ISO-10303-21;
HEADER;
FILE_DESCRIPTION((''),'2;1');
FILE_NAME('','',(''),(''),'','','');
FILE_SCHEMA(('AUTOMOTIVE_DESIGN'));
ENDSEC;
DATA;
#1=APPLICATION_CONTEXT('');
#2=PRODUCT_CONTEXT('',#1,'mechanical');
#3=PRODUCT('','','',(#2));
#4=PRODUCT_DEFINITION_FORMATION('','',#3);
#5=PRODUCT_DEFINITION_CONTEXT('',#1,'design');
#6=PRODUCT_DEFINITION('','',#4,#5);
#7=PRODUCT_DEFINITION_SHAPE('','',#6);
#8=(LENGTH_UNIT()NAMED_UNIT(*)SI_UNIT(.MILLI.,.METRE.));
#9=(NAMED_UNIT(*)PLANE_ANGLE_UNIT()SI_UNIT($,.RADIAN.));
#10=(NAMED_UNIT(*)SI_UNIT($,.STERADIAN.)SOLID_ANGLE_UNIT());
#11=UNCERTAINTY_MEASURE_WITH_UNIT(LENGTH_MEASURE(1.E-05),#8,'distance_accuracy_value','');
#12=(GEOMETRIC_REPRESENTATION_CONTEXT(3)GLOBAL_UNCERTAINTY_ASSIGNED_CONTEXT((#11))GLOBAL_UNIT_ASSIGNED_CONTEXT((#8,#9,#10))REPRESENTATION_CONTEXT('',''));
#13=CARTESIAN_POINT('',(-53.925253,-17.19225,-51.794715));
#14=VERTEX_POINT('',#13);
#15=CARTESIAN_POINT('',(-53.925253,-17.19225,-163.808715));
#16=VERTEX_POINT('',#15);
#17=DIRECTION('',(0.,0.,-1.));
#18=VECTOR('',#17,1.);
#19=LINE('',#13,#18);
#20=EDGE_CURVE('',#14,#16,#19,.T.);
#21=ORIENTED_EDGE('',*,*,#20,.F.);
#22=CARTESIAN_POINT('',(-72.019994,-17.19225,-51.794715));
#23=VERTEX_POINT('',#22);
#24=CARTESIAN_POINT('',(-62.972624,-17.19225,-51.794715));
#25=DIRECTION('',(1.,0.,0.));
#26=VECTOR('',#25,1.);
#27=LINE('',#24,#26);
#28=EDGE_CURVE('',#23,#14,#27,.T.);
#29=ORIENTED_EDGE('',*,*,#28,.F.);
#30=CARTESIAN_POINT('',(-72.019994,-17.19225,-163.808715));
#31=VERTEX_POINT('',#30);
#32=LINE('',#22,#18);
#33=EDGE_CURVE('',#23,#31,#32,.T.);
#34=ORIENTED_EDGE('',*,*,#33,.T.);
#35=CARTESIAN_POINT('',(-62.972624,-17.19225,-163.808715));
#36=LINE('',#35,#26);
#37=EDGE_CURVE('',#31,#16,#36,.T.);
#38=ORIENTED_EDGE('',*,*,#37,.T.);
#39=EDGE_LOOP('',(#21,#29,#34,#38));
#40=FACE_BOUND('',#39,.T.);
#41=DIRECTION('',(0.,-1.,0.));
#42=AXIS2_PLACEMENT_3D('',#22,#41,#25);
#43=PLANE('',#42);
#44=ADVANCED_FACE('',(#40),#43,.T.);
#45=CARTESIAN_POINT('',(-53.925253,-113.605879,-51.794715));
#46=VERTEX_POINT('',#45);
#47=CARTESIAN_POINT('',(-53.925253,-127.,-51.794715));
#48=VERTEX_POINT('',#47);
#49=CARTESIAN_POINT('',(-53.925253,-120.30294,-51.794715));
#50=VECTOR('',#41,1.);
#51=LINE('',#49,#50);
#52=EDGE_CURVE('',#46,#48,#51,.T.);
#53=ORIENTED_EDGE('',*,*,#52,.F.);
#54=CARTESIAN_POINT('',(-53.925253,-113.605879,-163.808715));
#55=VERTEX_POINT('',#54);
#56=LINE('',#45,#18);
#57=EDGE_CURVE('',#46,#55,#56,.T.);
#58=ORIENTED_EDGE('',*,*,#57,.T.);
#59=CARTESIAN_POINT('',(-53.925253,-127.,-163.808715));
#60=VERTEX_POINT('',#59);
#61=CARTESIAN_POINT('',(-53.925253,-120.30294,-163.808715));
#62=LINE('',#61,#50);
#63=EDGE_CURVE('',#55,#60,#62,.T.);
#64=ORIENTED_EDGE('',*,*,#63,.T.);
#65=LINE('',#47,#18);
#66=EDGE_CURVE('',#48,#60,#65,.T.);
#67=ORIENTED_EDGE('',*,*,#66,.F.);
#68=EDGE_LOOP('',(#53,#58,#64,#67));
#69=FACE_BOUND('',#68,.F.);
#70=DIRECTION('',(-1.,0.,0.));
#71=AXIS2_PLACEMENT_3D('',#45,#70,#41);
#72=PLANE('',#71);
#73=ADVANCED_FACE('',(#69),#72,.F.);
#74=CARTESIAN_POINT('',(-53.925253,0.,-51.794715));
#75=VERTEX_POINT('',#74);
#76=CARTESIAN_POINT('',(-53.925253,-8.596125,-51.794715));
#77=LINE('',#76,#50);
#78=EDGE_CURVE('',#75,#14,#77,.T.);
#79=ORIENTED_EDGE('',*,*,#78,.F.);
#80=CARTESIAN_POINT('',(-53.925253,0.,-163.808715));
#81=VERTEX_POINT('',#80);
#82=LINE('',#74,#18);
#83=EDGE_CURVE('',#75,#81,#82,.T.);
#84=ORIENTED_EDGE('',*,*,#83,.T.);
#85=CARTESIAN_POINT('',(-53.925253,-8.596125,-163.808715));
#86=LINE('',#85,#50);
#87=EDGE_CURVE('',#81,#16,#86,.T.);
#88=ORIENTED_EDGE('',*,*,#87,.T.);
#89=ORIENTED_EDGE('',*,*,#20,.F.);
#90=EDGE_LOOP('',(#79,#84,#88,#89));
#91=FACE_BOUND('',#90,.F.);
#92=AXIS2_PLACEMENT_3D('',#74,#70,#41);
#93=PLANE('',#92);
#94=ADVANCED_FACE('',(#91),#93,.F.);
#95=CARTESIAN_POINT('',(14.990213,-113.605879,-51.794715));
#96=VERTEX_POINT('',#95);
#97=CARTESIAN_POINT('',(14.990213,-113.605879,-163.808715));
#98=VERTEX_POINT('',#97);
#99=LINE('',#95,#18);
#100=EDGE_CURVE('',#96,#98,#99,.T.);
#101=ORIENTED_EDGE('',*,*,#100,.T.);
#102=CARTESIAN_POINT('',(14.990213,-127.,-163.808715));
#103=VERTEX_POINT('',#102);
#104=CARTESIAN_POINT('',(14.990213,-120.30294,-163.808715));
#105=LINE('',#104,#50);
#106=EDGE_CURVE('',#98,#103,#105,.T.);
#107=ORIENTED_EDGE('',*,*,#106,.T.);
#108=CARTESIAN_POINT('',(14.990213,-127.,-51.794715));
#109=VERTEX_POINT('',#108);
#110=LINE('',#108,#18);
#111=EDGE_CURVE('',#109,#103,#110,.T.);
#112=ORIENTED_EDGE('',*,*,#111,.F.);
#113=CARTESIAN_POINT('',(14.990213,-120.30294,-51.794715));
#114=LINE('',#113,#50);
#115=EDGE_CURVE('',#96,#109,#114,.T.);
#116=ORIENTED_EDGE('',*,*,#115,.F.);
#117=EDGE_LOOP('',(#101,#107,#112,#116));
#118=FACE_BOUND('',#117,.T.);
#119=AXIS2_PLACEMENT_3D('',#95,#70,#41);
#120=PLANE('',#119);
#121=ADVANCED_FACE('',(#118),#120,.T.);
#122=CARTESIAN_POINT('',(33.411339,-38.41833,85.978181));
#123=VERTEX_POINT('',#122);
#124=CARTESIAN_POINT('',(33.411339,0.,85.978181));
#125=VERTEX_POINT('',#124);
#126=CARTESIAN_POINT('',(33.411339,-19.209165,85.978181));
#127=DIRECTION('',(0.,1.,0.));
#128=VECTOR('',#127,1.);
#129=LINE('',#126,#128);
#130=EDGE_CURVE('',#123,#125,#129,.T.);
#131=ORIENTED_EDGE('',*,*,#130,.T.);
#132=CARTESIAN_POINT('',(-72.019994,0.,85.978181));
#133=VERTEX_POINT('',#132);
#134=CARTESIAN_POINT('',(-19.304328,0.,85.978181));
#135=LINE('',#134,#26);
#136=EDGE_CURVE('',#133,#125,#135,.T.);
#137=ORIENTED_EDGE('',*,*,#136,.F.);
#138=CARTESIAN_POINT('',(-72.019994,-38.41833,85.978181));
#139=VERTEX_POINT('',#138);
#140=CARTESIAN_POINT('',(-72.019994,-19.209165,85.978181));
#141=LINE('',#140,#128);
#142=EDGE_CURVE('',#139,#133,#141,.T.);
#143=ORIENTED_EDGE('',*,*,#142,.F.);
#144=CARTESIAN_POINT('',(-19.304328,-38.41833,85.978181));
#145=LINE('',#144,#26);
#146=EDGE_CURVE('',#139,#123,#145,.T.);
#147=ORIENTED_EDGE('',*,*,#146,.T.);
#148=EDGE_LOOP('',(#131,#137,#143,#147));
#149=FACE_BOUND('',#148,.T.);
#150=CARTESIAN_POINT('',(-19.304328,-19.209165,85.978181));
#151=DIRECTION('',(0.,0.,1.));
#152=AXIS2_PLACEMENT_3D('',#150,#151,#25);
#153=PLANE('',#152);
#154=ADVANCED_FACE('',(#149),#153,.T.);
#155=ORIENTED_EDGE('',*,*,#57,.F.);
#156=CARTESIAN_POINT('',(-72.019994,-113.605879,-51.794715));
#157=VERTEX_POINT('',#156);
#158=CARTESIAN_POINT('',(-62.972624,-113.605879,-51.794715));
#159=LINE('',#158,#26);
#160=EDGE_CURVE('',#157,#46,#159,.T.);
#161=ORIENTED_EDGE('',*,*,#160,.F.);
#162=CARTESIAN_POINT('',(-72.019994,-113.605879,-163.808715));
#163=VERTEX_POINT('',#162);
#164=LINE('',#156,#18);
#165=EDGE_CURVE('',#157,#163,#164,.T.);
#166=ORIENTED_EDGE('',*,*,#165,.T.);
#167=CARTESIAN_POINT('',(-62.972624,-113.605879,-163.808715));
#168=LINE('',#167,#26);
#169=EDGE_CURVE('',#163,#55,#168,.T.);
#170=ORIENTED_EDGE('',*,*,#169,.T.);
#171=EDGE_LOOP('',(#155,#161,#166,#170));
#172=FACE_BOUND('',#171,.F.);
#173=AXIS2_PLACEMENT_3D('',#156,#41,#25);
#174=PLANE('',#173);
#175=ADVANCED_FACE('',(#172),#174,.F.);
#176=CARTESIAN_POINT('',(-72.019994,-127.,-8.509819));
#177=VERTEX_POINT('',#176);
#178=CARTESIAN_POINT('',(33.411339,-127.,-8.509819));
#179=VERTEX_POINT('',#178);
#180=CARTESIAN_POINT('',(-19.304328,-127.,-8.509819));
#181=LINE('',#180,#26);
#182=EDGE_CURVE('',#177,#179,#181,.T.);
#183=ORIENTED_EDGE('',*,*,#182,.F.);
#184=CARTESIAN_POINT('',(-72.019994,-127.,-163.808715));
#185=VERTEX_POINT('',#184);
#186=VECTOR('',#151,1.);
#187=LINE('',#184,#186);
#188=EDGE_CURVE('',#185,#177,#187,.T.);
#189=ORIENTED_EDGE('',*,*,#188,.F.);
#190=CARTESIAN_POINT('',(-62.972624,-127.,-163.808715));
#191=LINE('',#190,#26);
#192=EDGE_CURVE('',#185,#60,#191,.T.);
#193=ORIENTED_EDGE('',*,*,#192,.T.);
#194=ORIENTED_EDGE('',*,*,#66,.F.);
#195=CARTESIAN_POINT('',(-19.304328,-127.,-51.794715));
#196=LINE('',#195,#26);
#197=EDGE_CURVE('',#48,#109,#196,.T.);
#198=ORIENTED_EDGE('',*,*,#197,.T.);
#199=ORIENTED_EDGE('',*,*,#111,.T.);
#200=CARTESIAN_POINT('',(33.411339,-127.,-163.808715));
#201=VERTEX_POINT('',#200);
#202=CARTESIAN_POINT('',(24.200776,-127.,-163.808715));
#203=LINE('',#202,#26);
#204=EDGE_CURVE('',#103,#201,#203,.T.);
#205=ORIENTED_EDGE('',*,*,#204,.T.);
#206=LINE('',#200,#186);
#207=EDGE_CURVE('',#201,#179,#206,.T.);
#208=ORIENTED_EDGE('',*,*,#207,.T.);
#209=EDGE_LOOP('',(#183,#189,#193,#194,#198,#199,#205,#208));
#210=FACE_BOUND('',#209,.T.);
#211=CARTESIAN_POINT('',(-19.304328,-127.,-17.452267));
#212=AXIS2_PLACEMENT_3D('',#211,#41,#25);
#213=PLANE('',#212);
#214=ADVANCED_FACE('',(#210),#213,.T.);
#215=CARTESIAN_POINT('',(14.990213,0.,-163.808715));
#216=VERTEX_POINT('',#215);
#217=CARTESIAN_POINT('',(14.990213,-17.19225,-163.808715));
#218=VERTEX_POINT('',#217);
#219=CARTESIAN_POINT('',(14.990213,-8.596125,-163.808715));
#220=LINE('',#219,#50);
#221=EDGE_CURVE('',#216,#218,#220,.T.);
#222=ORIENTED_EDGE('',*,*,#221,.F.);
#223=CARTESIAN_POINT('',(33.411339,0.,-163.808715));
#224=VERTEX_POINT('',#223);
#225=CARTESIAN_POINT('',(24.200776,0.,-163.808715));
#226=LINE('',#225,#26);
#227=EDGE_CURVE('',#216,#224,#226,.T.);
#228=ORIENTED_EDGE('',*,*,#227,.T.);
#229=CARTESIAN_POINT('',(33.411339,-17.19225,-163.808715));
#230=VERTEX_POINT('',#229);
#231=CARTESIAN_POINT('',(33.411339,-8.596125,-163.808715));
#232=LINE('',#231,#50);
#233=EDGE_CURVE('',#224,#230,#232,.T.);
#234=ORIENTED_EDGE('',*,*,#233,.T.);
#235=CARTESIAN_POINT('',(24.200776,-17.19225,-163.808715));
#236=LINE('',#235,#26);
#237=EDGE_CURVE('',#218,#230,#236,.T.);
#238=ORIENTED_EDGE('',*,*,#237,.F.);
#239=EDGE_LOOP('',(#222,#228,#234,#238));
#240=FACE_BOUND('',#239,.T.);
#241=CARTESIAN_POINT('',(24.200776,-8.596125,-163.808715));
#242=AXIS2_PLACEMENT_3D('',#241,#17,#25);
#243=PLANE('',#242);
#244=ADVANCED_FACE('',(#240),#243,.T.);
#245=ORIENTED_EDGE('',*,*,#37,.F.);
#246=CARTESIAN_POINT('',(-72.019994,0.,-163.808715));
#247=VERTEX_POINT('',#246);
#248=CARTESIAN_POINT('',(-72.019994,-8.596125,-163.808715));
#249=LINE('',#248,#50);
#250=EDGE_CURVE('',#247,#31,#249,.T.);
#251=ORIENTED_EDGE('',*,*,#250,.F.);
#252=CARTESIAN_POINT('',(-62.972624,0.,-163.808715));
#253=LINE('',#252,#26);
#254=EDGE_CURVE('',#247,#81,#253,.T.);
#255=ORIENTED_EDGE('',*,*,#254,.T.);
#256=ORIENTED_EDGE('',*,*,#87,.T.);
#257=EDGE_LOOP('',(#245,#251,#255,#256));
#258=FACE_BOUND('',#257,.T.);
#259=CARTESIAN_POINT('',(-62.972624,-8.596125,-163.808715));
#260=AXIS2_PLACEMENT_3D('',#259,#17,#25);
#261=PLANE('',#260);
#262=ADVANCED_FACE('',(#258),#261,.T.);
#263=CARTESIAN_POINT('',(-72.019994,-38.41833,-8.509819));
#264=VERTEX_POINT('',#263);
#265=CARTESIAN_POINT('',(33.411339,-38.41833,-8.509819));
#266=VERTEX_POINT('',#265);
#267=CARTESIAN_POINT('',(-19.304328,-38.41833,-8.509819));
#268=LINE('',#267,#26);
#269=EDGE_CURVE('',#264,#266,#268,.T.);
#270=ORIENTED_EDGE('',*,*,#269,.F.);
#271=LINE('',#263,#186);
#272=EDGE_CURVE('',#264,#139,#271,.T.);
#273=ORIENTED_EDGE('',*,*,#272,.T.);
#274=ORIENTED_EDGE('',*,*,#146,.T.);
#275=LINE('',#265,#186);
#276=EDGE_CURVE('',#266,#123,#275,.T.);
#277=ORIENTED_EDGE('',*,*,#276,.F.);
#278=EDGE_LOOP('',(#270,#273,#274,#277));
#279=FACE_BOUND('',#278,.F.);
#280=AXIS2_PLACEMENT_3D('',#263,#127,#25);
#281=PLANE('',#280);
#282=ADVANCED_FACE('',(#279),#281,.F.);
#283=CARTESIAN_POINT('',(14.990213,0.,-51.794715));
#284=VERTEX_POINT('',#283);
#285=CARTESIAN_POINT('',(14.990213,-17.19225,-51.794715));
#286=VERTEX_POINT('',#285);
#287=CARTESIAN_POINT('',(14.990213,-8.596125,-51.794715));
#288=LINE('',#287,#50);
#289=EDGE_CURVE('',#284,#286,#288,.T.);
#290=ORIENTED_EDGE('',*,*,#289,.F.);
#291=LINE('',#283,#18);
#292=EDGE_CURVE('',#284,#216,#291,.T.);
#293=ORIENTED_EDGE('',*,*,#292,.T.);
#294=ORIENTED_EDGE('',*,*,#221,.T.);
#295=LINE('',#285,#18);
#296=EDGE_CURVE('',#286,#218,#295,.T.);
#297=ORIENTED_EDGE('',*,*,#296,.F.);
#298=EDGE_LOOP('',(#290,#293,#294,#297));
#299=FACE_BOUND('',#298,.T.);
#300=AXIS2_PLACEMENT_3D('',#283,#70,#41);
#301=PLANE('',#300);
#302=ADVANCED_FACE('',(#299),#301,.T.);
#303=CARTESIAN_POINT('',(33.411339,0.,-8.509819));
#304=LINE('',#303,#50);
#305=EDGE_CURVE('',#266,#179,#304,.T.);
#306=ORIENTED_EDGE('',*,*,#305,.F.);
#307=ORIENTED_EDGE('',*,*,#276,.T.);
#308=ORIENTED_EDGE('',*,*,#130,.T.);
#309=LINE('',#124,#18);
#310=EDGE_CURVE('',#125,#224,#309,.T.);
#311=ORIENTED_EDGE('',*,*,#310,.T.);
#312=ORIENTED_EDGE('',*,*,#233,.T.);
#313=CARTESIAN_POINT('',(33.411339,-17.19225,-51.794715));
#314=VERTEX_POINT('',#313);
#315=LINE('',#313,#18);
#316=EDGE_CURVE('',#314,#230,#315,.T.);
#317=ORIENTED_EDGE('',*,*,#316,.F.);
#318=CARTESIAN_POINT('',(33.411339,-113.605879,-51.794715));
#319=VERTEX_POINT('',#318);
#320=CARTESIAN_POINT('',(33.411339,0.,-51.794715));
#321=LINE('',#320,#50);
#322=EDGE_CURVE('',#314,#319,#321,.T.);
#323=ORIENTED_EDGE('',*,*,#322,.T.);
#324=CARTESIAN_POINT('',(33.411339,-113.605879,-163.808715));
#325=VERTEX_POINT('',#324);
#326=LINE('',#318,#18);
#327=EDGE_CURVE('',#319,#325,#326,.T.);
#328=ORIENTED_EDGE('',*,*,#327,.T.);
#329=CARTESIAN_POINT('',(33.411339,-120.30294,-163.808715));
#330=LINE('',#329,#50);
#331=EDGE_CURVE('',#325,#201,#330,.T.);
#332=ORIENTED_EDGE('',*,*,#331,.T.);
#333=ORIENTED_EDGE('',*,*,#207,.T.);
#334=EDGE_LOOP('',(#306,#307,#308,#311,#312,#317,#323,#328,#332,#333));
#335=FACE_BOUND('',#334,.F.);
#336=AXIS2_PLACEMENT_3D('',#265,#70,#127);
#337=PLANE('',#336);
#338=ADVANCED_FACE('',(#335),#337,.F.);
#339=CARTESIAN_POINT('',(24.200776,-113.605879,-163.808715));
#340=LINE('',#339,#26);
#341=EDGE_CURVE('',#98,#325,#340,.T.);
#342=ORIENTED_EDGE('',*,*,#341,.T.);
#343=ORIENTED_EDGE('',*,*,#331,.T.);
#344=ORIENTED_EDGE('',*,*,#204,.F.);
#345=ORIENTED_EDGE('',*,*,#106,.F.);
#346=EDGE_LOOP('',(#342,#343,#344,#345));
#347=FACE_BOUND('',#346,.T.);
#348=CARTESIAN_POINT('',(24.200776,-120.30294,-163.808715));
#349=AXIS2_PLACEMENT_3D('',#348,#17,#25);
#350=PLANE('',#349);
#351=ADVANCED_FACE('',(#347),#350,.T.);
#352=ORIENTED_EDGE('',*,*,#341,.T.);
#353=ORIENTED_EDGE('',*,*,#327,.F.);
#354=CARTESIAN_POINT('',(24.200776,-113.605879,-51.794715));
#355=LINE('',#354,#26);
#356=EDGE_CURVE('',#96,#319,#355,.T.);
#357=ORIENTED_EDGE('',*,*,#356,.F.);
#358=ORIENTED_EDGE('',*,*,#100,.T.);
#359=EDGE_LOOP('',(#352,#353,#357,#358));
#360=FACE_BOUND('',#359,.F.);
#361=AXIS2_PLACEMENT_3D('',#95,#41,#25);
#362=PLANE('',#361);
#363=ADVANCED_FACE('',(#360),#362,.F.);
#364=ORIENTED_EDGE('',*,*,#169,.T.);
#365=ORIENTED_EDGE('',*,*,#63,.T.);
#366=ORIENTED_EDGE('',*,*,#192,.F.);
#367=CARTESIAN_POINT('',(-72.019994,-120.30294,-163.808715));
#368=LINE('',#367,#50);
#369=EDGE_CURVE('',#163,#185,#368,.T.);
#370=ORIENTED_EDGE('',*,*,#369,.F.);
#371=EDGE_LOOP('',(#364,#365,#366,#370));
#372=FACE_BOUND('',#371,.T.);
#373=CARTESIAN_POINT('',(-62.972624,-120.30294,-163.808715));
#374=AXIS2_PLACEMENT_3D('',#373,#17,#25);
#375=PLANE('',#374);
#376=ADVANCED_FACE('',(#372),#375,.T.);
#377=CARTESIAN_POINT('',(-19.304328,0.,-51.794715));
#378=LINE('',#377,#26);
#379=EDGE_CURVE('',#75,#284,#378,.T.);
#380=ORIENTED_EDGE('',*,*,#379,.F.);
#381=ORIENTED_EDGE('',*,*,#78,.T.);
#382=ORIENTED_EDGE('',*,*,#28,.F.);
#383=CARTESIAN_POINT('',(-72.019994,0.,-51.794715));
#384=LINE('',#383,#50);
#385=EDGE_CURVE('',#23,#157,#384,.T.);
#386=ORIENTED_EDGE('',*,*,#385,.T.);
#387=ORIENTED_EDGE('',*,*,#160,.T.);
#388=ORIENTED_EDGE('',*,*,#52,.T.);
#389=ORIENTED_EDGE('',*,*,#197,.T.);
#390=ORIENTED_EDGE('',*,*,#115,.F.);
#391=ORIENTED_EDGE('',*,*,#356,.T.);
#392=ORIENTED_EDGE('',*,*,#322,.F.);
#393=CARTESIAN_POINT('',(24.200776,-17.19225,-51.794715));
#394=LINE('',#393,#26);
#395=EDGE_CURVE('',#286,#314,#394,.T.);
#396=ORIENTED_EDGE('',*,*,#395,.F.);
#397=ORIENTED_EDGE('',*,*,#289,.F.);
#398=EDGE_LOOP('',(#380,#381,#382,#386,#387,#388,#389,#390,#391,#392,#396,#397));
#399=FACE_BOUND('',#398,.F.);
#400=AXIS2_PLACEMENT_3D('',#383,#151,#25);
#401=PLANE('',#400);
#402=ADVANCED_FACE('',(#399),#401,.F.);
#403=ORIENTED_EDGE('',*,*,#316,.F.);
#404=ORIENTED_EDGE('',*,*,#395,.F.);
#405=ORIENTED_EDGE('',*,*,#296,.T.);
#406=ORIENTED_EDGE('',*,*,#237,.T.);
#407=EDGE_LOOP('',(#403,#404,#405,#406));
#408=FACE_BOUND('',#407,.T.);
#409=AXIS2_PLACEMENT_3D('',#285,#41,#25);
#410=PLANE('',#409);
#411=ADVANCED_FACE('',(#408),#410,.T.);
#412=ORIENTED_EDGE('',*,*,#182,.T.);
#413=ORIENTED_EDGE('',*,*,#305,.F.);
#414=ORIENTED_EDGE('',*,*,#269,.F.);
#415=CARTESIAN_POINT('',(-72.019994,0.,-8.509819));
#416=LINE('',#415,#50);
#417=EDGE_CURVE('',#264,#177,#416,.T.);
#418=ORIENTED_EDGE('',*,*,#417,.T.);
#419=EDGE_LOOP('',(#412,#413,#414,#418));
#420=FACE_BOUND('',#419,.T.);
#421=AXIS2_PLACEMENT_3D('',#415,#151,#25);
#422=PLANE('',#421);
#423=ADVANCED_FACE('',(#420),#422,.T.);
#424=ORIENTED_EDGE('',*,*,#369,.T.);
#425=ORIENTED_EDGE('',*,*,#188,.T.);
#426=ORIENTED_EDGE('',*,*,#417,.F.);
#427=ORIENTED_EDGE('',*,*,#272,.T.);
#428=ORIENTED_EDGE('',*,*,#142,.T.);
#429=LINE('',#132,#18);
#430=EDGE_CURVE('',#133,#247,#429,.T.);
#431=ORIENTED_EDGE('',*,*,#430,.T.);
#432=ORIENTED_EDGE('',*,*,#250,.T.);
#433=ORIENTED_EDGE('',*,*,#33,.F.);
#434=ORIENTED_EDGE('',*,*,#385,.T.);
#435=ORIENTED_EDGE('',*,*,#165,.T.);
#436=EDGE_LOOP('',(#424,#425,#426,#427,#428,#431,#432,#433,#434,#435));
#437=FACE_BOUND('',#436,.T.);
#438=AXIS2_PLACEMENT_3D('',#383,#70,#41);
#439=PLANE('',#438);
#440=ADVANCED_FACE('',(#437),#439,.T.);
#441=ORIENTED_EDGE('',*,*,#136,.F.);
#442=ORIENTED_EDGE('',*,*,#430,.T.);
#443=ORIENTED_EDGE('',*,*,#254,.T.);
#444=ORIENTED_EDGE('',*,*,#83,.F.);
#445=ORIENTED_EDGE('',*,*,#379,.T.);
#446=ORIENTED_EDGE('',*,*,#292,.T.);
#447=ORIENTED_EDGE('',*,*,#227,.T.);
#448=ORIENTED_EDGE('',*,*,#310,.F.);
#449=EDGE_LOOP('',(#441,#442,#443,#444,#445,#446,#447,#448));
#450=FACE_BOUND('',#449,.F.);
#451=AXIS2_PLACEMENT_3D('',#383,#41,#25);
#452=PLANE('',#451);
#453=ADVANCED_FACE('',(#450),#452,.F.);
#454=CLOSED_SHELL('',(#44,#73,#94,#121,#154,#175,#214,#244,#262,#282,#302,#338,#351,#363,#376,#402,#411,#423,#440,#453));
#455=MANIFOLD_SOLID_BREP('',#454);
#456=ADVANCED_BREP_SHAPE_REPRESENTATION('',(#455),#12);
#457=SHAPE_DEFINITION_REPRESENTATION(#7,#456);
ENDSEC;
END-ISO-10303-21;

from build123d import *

# Parameters (mm, degrees)
F0_W     = 105.4313331842
F0_H     = 68.6848964542
F1_DEPTH = 127
F2_DEPTH = 25.4
F3_W     = 105.4313331842
F3_H     = 38.4183302522
F4_DEPTH = 94.488
F5_W     = 18.094740808
F5_H     = 17.1922501177
F5_W_2   = 18.4211255983
F5_H_2   = 13.3941207528
F6_DEPTH = 112.014


with BuildPart() as f1:
    # F0 (on Front) → F1 (new body)
    with BuildSketch(Plane.XZ):
        with Locations((-19.3043276668, -17.4522669986)):
            Rectangle(F0_W, F0_H)
    extrude(amount=F1_DEPTH)

    # F2 (cut): a face of the model
    f2_faces = [f1.faces().sort_by_distance(p)[0] for p in [
        (-19.3043276668, -63.5, 16.8901812285),
    ]]
    extrude(f2_faces, amount=-F2_DEPTH, mode=Mode.SUBTRACT)

    # F3 (on face) → F4 (join)
    with BuildSketch(Plane.XY.offset(-8.5098187715)):
        with Locations((-19.3043276668, -19.2091651261)):
            Rectangle(F3_W, F3_H)
    extrude(amount=F4_DEPTH)

    # F5 (on face) → F6 (join)
    with BuildSketch(Plane(origin=(0, 0, -51.7947152257), x_dir=(1, 0, 0), z_dir=(0, 0, -1))):
        with Locations((-62.9726238549, 8.5961250588)):
            Rectangle(F5_W, F5_H)
        with Locations((24.2007761262, 8.5961250588)):
            Rectangle(F5_W_2, F5_H)
        with Locations((24.2007761262, 120.3029396236)):
            Rectangle(F5_W_2, F5_H_2)
        with Locations((-62.9726238549, 120.3029396236)):
            Rectangle(F5_W, F5_H_2)
    extrude(amount=F6_DEPTH)


solid = f1.part
